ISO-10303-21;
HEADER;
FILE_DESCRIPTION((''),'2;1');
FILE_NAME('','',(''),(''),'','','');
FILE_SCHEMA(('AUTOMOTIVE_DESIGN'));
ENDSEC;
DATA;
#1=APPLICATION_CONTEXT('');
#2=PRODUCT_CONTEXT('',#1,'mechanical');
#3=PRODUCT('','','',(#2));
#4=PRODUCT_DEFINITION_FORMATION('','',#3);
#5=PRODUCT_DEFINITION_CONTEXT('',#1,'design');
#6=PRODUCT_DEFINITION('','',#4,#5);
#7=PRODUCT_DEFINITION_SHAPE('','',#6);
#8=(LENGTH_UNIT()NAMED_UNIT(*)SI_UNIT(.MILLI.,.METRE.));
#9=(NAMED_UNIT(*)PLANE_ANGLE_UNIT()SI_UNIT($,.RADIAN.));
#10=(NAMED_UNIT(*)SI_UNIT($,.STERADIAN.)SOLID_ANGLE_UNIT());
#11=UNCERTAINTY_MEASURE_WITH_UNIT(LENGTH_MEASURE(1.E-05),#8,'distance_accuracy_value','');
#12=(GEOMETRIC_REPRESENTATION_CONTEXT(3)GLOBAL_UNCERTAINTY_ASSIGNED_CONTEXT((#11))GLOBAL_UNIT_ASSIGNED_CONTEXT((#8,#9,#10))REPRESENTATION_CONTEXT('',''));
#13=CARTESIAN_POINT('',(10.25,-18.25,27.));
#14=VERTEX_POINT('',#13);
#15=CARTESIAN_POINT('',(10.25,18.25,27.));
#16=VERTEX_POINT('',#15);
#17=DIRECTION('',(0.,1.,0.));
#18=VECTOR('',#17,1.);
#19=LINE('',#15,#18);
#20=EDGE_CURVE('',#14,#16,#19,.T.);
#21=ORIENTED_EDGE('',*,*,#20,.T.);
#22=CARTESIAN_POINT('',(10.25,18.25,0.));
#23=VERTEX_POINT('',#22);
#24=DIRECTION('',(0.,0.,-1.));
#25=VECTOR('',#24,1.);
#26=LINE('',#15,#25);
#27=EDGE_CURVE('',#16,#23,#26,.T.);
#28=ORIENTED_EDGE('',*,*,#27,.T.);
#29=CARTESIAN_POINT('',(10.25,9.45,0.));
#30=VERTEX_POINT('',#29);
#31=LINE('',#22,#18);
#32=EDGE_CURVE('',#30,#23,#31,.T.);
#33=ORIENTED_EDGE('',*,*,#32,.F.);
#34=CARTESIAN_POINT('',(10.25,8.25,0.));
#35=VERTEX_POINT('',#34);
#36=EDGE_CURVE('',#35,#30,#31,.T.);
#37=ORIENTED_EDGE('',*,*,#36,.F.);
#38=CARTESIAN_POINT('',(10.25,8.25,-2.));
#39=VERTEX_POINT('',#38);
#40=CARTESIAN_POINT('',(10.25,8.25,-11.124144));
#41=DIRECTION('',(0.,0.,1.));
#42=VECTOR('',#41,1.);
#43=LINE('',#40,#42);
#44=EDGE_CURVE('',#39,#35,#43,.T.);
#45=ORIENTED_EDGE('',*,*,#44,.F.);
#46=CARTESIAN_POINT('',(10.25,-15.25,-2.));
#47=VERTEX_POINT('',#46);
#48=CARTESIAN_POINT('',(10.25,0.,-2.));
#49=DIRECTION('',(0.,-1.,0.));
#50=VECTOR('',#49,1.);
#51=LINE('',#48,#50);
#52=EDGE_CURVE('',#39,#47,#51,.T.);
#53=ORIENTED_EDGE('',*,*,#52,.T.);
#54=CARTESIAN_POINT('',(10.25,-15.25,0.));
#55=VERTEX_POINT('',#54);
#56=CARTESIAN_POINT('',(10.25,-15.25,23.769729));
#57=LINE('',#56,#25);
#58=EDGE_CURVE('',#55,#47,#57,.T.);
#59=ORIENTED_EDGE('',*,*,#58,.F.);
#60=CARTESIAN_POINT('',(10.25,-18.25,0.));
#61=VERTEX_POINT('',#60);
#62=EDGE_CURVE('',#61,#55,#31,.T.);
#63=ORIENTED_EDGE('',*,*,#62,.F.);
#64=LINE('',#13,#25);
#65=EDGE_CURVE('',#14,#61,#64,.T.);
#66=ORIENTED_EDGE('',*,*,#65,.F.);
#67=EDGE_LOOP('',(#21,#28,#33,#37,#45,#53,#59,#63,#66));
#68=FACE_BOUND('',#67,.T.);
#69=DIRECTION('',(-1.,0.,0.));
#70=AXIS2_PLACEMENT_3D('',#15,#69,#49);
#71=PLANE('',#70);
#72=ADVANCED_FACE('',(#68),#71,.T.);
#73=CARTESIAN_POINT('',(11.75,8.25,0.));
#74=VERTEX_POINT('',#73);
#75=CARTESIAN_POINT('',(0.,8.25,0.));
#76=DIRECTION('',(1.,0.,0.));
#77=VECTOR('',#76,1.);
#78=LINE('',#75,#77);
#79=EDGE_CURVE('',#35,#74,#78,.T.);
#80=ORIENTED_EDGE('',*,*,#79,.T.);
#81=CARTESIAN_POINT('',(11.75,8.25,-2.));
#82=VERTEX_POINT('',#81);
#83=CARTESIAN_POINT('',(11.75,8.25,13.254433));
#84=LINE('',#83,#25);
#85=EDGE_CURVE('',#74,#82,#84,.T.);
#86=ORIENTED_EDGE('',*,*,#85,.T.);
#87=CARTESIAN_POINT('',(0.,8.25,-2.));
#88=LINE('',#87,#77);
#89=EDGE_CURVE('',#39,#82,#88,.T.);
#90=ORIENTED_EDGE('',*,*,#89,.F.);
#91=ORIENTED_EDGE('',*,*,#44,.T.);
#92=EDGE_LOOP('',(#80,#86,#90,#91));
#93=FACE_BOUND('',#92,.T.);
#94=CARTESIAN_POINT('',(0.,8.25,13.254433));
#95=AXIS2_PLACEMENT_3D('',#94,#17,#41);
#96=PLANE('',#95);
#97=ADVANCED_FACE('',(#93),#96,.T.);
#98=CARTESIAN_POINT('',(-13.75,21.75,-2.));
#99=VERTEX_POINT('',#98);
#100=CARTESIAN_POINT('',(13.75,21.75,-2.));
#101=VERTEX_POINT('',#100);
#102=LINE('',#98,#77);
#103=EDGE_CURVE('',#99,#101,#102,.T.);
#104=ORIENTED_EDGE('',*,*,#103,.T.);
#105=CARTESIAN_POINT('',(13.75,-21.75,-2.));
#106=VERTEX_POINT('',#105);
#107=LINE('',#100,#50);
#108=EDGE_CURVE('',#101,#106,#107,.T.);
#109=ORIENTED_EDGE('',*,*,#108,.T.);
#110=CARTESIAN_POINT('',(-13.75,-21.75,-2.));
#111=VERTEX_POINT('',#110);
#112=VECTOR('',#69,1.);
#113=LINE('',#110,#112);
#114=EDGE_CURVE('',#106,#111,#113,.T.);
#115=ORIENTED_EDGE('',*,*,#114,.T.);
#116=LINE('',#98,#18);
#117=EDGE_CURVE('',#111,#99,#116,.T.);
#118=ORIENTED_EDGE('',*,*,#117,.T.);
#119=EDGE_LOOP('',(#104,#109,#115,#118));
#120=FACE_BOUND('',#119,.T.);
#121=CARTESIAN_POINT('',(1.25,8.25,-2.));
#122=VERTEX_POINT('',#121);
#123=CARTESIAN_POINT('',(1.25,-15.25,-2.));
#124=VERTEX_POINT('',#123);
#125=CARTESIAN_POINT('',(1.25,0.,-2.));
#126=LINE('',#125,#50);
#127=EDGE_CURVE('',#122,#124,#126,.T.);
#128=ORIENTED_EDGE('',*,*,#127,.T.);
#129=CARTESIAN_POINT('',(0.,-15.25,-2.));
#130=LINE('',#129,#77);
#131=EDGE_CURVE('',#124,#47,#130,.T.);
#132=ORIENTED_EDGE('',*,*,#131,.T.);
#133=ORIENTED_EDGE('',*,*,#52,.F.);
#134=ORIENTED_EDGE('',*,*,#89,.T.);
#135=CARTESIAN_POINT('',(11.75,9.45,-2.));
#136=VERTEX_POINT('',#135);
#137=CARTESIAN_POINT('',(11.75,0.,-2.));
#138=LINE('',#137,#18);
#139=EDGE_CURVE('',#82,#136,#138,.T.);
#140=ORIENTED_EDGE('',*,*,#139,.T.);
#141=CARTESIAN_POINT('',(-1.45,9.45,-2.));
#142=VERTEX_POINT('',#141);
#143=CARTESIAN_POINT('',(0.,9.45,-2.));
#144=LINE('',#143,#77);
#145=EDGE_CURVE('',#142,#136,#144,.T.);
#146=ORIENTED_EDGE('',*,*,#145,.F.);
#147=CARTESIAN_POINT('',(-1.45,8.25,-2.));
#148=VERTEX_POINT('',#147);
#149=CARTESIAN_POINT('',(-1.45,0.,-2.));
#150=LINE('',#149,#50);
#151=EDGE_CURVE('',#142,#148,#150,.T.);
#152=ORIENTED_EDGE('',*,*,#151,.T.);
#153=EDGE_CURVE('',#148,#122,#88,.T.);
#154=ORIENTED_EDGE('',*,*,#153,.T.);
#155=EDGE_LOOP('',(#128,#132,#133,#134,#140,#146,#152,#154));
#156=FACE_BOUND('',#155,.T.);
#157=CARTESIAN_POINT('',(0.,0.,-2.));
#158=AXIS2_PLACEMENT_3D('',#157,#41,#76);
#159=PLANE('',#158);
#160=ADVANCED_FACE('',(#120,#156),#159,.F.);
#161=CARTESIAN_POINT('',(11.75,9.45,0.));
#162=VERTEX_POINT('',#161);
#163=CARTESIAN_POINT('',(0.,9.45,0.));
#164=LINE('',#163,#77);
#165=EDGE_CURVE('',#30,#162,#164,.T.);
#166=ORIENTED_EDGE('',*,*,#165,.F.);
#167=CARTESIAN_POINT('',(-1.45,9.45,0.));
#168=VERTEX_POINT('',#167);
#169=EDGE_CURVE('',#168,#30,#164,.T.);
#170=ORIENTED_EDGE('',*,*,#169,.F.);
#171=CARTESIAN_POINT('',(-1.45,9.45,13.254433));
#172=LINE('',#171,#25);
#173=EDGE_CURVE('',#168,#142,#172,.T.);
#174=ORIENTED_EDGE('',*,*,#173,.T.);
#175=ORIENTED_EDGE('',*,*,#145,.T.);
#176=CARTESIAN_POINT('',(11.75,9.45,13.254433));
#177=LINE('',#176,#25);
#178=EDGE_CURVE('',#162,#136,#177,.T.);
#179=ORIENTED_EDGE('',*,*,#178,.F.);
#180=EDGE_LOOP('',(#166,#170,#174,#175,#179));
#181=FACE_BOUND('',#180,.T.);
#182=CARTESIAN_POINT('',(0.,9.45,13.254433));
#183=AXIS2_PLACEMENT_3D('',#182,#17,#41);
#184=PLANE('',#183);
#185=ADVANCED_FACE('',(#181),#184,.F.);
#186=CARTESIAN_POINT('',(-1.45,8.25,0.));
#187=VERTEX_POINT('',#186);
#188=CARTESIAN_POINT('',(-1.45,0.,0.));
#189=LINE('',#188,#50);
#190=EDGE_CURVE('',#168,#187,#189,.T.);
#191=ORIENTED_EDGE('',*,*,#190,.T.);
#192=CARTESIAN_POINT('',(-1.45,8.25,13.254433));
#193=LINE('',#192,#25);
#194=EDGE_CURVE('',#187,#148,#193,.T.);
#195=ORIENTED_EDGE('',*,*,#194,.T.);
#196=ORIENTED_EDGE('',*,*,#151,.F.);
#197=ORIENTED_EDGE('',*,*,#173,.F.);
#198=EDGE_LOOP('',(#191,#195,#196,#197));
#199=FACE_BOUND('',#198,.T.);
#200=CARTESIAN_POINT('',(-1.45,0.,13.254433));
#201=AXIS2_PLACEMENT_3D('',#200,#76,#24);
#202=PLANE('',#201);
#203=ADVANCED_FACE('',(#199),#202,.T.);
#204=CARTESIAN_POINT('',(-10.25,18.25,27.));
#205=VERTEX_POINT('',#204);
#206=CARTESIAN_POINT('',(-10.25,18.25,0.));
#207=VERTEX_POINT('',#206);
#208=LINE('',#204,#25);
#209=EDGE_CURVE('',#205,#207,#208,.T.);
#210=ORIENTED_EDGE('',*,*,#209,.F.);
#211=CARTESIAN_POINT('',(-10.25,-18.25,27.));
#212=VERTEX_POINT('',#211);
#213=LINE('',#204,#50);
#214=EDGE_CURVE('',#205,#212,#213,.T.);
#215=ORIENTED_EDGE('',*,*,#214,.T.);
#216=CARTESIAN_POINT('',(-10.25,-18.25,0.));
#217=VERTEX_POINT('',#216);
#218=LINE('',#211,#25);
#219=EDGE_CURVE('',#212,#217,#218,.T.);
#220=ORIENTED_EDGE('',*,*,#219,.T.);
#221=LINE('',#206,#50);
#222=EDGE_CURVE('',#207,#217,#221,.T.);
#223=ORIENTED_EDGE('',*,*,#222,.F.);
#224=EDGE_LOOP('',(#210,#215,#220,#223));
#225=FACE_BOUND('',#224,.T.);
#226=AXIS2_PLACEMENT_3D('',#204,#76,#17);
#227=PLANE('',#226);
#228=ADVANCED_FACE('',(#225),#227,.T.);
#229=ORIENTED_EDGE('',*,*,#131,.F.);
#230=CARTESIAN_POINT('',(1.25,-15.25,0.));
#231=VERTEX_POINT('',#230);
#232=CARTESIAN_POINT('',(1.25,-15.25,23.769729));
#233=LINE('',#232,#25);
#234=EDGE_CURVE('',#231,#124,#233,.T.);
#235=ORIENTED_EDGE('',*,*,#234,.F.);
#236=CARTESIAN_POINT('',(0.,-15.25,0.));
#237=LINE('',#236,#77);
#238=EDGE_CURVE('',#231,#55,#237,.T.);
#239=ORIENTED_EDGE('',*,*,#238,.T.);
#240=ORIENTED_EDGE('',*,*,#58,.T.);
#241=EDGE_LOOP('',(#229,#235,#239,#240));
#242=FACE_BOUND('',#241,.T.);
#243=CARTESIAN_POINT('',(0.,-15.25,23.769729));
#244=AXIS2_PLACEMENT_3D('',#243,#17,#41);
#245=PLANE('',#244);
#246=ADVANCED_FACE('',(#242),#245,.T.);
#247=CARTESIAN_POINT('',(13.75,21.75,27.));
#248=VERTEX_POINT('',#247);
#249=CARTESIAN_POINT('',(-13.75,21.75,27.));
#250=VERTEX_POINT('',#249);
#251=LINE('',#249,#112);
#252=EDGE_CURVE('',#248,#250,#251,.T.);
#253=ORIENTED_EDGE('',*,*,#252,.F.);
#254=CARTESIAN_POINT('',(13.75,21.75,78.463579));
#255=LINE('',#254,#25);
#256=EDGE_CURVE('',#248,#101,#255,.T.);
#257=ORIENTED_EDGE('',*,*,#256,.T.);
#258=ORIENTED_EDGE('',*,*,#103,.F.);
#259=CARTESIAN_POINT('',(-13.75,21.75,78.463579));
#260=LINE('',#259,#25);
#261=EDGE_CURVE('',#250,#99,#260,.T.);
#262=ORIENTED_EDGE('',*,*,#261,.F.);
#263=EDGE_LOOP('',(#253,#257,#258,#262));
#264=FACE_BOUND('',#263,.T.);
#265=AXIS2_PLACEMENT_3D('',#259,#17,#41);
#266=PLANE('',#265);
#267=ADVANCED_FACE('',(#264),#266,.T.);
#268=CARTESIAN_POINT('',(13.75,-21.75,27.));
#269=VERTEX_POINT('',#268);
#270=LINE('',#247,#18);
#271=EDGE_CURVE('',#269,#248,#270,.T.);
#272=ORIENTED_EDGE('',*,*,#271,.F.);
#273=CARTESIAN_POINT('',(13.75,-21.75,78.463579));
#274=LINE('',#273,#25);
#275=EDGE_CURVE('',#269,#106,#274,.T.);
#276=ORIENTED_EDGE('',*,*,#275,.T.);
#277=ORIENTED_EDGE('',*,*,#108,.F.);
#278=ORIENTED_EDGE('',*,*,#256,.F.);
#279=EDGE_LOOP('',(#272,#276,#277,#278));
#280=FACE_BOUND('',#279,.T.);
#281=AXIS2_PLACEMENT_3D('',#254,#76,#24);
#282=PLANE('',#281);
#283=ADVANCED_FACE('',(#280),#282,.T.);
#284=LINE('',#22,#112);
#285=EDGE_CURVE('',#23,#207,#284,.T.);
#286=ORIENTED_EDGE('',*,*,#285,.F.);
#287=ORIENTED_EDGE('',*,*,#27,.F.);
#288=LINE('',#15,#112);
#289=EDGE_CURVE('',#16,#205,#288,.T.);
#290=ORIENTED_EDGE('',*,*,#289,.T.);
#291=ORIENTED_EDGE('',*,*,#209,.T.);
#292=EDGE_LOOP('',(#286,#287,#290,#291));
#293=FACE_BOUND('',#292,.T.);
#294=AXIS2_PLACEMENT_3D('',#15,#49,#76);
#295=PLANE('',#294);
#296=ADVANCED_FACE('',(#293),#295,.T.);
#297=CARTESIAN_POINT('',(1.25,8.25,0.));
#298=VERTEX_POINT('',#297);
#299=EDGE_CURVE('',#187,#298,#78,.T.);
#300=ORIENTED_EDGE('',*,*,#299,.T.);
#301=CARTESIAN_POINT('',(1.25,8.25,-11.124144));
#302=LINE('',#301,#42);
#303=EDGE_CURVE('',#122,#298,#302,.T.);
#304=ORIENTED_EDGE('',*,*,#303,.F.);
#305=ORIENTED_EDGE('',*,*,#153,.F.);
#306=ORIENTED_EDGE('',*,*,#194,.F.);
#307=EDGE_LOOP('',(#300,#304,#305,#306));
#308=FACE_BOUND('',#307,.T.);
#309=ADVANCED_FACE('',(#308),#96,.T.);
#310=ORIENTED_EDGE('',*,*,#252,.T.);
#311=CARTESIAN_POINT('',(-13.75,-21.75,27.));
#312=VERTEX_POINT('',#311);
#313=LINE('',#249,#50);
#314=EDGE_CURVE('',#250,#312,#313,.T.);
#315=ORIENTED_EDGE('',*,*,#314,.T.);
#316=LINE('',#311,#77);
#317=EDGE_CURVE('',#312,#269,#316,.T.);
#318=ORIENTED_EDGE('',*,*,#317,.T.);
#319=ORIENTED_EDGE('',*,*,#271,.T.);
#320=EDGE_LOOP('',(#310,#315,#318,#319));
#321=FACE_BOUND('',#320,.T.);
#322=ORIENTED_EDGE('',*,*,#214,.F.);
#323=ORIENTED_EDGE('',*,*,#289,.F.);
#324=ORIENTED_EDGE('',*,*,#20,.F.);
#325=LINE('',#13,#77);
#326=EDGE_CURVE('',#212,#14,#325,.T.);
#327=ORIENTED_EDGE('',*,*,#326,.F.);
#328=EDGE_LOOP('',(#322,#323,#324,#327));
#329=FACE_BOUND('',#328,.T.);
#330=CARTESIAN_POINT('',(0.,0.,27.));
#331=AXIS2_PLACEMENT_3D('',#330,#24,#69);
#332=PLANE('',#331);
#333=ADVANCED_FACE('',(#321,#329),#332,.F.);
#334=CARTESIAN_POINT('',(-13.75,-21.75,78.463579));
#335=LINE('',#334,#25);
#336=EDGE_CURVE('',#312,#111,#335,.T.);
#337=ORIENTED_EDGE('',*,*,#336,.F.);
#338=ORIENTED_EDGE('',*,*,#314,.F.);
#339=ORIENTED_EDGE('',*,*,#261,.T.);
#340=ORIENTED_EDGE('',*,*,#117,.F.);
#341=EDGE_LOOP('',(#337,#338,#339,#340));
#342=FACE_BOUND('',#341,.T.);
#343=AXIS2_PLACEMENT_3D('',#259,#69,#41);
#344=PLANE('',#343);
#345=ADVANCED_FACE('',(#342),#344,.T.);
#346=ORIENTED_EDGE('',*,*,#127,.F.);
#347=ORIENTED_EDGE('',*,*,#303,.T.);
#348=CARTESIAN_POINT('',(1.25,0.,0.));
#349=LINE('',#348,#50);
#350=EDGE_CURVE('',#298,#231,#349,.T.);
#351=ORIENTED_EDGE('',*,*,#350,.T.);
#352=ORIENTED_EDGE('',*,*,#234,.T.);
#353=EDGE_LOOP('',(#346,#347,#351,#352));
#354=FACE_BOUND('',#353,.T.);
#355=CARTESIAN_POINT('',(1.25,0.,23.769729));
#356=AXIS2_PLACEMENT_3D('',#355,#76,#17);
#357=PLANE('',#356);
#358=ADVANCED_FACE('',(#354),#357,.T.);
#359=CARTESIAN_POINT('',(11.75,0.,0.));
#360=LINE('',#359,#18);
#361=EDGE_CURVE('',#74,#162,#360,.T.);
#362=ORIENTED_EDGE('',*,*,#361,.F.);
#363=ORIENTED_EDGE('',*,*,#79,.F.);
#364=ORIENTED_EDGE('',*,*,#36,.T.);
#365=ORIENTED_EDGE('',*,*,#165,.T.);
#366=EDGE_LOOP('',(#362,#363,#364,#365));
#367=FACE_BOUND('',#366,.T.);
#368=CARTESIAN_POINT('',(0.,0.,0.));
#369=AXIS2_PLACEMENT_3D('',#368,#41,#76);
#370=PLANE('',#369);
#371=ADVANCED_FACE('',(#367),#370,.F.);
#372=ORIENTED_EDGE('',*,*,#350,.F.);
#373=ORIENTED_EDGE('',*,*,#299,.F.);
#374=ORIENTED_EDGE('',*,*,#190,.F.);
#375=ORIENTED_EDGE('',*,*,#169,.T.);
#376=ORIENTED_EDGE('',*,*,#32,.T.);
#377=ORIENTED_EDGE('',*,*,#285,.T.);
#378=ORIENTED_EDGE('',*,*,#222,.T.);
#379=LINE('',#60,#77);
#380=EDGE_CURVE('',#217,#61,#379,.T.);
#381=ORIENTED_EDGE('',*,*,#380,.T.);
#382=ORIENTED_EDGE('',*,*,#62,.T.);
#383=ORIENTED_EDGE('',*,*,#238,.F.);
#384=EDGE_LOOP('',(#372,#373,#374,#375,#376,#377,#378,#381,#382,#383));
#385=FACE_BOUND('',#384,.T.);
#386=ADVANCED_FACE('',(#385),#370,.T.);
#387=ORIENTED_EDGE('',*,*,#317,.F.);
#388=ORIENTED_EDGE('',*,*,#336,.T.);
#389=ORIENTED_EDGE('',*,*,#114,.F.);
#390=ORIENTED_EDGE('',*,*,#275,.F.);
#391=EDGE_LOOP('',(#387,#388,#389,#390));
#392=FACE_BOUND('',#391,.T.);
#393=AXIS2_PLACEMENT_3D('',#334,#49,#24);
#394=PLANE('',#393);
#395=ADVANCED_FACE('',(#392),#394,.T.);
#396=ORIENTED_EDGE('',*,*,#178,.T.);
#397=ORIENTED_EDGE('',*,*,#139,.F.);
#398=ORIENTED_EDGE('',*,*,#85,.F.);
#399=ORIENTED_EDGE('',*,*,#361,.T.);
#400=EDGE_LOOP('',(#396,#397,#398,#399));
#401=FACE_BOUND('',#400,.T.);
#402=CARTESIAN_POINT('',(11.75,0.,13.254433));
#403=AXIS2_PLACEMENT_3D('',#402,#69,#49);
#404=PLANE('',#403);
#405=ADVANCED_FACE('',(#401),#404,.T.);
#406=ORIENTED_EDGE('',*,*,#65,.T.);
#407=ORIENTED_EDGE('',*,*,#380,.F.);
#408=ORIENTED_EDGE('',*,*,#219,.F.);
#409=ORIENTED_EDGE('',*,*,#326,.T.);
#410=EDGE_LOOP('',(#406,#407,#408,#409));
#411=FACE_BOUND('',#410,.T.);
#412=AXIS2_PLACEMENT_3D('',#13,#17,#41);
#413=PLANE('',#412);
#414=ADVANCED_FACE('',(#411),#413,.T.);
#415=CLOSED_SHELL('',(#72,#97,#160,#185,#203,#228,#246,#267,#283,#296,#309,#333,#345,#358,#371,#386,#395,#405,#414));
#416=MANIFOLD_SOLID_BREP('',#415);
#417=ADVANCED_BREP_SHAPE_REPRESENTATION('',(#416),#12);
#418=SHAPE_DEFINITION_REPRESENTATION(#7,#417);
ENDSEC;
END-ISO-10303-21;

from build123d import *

# Parameters (mm, degrees)
SKETCH1_W           = 24.5
SKETCH1_H           = 40.5
SKETCH1_W_2         = 20.5
SKETCH1_H_2         = 36.5
BOSS_EXTRUDE1_DEPTH = 27
SKETCH1_2_W         = 24.5
SKETCH1_2_H         = 40.5
SKETCH1_2_W_2       = 20.5
SKETCH1_2_H_2       = 36.5
BOSS_EXTRUDE2_DEPTH = 2
SKETCH2_W           = 9
SKETCH2_H           = 22
CUT_EXTRUDE1_DEPTH  = 2
CUT_EXTRUDE2_DEPTH  = 2
SKETCH4_W           = 27.5
SKETCH4_H           = 43.5
SKETCH4_W_2         = 24.5
SKETCH4_H_2         = 40.5
BOSS_EXTRUDE3_DEPTH = 29
SKETCH5_W           = 9
SKETCH5_H           = 1.5
CUT_EXTRUDE3_DEPTH  = 2


with BuildPart() as part:
    # Sketch1 → Boss-Extrude1 (new body)
    with BuildSketch(Plane.XY):
        Rectangle(SKETCH1_W, SKETCH1_H)
        Rectangle(SKETCH1_W_2, SKETCH1_H_2, mode=Mode.SUBTRACT)
    extrude(amount=BOSS_EXTRUDE1_DEPTH)

    # Sketch1<2> → Boss-Extrude2 (add)
    # profile 1 of 2: a face of its own
    with BuildSketch(Plane.XY):
        Rectangle(SKETCH1_2_W, SKETCH1_2_H)
        Rectangle(SKETCH1_2_W_2, SKETCH1_2_H_2, mode=Mode.SUBTRACT)
    # profile 2 of 2: a face of its own
    with BuildSketch(Plane.XY):
        Rectangle(SKETCH1_2_W_2, SKETCH1_2_H_2)
    extrude(amount=-BOSS_EXTRUDE2_DEPTH)

    # Sketch2 → Cut-Extrude1 (cut)
    with BuildSketch(Plane(origin=(0, 0, -2), x_dir=(-1, 0, 0), z_dir=(0, 0, -1))):
        with Locations((-5.75, -4.25)):
            Rectangle(SKETCH2_W, SKETCH2_H)
    extrude(amount=-CUT_EXTRUDE1_DEPTH, mode=Mode.SUBTRACT)

    # Sketch3 → Cut-Extrude2 (cut)
    with BuildSketch(Plane(origin=(0, 0, -2), x_dir=(-1, 0, 0), z_dir=(0, 0, -1))):
        Polygon((-11.75, 9.45), (-11.75, 8.25), (0.25, 8.25), (1.45, 8.25), (1.45, 9.45), align=None)
    extrude(amount=-CUT_EXTRUDE2_DEPTH, mode=Mode.SUBTRACT)

    # Sketch4 → Boss-Extrude3 (add)
    with BuildSketch(Plane(origin=(0, 0, -2), x_dir=(-1, 0, 0), z_dir=(0, 0, -1))):
        Rectangle(SKETCH4_W, SKETCH4_H)
        Rectangle(SKETCH4_W_2, SKETCH4_H_2, mode=Mode.SUBTRACT)
    extrude(amount=-BOSS_EXTRUDE3_DEPTH)

    # Sketch5 → Cut-Extrude3 (cut)
    with BuildSketch(Plane.XY):
        with Locations((5.75, 7.5)):
            Rectangle(SKETCH5_W, SKETCH5_H)
    extrude(amount=-CUT_EXTRUDE3_DEPTH, mode=Mode.SUBTRACT)


solid = part.part
